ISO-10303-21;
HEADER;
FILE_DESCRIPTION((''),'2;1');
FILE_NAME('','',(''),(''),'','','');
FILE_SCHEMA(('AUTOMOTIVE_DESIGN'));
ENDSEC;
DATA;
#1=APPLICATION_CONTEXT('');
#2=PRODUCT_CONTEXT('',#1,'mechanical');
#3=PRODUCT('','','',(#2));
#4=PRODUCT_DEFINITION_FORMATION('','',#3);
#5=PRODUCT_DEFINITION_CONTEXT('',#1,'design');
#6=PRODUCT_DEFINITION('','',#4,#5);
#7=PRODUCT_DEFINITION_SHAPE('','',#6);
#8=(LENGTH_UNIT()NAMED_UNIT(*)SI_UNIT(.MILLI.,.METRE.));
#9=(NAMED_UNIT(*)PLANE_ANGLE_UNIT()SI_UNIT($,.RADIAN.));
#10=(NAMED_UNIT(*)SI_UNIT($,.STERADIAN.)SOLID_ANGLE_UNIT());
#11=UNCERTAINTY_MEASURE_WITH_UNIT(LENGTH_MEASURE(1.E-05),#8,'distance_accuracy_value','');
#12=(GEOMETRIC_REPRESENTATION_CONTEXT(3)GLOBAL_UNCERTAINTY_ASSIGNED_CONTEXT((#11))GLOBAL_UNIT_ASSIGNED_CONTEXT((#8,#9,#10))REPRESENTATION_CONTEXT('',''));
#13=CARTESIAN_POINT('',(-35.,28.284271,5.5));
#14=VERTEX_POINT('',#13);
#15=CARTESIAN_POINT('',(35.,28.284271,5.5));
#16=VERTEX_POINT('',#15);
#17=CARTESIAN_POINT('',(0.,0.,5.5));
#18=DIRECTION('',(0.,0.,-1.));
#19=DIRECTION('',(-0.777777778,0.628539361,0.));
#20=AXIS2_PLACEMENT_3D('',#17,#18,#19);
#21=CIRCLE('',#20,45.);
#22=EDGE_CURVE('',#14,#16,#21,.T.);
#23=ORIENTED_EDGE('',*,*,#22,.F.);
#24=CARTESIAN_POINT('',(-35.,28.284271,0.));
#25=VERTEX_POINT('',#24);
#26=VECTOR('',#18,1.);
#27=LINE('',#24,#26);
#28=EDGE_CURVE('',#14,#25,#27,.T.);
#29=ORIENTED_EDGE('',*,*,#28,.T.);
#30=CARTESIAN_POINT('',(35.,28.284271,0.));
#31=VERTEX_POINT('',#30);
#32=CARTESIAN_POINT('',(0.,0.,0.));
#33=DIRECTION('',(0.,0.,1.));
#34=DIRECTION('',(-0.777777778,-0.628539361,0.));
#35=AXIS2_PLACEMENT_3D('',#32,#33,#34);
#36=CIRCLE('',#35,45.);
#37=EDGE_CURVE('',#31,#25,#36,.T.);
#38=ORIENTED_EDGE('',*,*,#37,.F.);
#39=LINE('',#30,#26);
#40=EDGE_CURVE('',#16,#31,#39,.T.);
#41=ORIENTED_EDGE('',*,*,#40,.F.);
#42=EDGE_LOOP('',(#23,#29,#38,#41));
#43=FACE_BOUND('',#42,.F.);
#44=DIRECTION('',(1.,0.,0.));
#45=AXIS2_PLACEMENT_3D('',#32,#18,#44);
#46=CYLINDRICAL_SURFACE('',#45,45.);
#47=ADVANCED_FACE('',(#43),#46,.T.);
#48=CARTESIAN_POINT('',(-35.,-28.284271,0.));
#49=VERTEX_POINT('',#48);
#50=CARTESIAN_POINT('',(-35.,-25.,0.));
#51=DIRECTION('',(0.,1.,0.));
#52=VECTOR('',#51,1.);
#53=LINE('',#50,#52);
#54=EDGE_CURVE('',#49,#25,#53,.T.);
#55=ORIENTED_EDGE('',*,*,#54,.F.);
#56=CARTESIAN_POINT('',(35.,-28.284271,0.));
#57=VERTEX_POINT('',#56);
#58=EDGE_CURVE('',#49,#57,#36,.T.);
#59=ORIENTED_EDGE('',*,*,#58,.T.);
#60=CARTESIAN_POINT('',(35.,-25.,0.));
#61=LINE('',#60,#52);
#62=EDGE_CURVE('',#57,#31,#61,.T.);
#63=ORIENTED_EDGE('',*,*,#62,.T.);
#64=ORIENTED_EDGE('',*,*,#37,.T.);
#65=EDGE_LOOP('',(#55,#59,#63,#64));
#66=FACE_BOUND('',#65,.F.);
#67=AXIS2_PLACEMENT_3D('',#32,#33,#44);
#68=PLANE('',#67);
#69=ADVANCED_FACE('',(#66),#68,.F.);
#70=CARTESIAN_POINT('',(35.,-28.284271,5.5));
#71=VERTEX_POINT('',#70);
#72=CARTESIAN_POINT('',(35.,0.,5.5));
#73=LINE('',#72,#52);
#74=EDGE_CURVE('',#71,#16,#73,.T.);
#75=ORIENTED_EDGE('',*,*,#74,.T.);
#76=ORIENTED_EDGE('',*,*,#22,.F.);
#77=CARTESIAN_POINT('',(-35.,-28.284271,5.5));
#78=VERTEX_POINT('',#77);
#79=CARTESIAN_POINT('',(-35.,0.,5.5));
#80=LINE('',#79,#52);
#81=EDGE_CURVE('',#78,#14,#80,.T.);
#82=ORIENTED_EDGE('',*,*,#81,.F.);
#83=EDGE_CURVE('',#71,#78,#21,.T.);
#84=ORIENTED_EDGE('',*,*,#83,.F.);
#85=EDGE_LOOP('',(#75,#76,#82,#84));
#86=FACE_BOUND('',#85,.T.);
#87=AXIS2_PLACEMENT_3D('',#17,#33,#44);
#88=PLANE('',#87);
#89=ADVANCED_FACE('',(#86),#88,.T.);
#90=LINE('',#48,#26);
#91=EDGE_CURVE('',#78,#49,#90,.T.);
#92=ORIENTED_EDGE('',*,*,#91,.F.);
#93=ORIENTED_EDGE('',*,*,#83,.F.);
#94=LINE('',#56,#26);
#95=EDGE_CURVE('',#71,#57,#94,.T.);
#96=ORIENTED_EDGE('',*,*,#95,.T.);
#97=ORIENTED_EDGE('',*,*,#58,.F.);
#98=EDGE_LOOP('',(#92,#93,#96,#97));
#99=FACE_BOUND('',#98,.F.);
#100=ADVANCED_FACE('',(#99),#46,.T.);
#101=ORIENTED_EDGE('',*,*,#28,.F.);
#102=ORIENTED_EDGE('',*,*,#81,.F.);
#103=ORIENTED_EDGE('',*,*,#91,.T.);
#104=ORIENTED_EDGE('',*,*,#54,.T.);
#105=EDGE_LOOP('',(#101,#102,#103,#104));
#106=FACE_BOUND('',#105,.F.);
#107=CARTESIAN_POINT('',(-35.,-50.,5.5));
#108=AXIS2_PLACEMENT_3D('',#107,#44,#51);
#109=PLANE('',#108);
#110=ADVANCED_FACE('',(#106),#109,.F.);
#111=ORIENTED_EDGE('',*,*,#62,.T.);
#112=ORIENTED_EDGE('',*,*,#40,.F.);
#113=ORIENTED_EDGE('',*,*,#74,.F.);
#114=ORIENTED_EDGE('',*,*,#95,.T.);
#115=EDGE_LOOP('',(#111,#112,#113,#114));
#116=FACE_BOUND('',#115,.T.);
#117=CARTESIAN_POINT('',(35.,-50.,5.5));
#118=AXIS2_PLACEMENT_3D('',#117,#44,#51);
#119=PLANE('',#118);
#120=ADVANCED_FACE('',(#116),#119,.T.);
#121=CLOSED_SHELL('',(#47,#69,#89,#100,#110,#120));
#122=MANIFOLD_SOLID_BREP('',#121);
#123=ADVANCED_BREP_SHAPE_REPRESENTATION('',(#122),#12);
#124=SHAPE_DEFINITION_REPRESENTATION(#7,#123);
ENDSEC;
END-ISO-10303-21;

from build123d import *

# Parameters (mm, degrees)
SKETCH_1_R     = 45
PAD_1_DEPTH    = 5.5
SKETCH_2_W     = 15
SKETCH_2_H     = 100
POCKET_2_DEPTH = 5.501
SKETCH_3_W     = 15
SKETCH_3_H     = 100
POCKET_3_DEPTH = 5.501


with BuildPart() as part:
    # Sketch_1 → Pad_1 (new body)
    with BuildSketch(Plane.XY):
        Circle(SKETCH_1_R)
    extrude(amount=PAD_1_DEPTH)

    # Sketch_2 (on Face3 of Pad_1) → Pocket_2 (cut, through all)
    with BuildSketch(Plane.XY.offset(5.5)):
        with Locations((-42.5, 0)):
            Rectangle(SKETCH_2_W, SKETCH_2_H)
    extrude(amount=-POCKET_2_DEPTH, mode=Mode.SUBTRACT)

    # Sketch_3 (on Face3 of Pocket_2) → Pocket_3 (cut, through all)
    with BuildSketch(Plane.XY.offset(5.5)):
        with Locations((42.5, 0)):
            Rectangle(SKETCH_3_W, SKETCH_3_H)
    extrude(amount=-POCKET_3_DEPTH, mode=Mode.SUBTRACT)


solid = part.part
